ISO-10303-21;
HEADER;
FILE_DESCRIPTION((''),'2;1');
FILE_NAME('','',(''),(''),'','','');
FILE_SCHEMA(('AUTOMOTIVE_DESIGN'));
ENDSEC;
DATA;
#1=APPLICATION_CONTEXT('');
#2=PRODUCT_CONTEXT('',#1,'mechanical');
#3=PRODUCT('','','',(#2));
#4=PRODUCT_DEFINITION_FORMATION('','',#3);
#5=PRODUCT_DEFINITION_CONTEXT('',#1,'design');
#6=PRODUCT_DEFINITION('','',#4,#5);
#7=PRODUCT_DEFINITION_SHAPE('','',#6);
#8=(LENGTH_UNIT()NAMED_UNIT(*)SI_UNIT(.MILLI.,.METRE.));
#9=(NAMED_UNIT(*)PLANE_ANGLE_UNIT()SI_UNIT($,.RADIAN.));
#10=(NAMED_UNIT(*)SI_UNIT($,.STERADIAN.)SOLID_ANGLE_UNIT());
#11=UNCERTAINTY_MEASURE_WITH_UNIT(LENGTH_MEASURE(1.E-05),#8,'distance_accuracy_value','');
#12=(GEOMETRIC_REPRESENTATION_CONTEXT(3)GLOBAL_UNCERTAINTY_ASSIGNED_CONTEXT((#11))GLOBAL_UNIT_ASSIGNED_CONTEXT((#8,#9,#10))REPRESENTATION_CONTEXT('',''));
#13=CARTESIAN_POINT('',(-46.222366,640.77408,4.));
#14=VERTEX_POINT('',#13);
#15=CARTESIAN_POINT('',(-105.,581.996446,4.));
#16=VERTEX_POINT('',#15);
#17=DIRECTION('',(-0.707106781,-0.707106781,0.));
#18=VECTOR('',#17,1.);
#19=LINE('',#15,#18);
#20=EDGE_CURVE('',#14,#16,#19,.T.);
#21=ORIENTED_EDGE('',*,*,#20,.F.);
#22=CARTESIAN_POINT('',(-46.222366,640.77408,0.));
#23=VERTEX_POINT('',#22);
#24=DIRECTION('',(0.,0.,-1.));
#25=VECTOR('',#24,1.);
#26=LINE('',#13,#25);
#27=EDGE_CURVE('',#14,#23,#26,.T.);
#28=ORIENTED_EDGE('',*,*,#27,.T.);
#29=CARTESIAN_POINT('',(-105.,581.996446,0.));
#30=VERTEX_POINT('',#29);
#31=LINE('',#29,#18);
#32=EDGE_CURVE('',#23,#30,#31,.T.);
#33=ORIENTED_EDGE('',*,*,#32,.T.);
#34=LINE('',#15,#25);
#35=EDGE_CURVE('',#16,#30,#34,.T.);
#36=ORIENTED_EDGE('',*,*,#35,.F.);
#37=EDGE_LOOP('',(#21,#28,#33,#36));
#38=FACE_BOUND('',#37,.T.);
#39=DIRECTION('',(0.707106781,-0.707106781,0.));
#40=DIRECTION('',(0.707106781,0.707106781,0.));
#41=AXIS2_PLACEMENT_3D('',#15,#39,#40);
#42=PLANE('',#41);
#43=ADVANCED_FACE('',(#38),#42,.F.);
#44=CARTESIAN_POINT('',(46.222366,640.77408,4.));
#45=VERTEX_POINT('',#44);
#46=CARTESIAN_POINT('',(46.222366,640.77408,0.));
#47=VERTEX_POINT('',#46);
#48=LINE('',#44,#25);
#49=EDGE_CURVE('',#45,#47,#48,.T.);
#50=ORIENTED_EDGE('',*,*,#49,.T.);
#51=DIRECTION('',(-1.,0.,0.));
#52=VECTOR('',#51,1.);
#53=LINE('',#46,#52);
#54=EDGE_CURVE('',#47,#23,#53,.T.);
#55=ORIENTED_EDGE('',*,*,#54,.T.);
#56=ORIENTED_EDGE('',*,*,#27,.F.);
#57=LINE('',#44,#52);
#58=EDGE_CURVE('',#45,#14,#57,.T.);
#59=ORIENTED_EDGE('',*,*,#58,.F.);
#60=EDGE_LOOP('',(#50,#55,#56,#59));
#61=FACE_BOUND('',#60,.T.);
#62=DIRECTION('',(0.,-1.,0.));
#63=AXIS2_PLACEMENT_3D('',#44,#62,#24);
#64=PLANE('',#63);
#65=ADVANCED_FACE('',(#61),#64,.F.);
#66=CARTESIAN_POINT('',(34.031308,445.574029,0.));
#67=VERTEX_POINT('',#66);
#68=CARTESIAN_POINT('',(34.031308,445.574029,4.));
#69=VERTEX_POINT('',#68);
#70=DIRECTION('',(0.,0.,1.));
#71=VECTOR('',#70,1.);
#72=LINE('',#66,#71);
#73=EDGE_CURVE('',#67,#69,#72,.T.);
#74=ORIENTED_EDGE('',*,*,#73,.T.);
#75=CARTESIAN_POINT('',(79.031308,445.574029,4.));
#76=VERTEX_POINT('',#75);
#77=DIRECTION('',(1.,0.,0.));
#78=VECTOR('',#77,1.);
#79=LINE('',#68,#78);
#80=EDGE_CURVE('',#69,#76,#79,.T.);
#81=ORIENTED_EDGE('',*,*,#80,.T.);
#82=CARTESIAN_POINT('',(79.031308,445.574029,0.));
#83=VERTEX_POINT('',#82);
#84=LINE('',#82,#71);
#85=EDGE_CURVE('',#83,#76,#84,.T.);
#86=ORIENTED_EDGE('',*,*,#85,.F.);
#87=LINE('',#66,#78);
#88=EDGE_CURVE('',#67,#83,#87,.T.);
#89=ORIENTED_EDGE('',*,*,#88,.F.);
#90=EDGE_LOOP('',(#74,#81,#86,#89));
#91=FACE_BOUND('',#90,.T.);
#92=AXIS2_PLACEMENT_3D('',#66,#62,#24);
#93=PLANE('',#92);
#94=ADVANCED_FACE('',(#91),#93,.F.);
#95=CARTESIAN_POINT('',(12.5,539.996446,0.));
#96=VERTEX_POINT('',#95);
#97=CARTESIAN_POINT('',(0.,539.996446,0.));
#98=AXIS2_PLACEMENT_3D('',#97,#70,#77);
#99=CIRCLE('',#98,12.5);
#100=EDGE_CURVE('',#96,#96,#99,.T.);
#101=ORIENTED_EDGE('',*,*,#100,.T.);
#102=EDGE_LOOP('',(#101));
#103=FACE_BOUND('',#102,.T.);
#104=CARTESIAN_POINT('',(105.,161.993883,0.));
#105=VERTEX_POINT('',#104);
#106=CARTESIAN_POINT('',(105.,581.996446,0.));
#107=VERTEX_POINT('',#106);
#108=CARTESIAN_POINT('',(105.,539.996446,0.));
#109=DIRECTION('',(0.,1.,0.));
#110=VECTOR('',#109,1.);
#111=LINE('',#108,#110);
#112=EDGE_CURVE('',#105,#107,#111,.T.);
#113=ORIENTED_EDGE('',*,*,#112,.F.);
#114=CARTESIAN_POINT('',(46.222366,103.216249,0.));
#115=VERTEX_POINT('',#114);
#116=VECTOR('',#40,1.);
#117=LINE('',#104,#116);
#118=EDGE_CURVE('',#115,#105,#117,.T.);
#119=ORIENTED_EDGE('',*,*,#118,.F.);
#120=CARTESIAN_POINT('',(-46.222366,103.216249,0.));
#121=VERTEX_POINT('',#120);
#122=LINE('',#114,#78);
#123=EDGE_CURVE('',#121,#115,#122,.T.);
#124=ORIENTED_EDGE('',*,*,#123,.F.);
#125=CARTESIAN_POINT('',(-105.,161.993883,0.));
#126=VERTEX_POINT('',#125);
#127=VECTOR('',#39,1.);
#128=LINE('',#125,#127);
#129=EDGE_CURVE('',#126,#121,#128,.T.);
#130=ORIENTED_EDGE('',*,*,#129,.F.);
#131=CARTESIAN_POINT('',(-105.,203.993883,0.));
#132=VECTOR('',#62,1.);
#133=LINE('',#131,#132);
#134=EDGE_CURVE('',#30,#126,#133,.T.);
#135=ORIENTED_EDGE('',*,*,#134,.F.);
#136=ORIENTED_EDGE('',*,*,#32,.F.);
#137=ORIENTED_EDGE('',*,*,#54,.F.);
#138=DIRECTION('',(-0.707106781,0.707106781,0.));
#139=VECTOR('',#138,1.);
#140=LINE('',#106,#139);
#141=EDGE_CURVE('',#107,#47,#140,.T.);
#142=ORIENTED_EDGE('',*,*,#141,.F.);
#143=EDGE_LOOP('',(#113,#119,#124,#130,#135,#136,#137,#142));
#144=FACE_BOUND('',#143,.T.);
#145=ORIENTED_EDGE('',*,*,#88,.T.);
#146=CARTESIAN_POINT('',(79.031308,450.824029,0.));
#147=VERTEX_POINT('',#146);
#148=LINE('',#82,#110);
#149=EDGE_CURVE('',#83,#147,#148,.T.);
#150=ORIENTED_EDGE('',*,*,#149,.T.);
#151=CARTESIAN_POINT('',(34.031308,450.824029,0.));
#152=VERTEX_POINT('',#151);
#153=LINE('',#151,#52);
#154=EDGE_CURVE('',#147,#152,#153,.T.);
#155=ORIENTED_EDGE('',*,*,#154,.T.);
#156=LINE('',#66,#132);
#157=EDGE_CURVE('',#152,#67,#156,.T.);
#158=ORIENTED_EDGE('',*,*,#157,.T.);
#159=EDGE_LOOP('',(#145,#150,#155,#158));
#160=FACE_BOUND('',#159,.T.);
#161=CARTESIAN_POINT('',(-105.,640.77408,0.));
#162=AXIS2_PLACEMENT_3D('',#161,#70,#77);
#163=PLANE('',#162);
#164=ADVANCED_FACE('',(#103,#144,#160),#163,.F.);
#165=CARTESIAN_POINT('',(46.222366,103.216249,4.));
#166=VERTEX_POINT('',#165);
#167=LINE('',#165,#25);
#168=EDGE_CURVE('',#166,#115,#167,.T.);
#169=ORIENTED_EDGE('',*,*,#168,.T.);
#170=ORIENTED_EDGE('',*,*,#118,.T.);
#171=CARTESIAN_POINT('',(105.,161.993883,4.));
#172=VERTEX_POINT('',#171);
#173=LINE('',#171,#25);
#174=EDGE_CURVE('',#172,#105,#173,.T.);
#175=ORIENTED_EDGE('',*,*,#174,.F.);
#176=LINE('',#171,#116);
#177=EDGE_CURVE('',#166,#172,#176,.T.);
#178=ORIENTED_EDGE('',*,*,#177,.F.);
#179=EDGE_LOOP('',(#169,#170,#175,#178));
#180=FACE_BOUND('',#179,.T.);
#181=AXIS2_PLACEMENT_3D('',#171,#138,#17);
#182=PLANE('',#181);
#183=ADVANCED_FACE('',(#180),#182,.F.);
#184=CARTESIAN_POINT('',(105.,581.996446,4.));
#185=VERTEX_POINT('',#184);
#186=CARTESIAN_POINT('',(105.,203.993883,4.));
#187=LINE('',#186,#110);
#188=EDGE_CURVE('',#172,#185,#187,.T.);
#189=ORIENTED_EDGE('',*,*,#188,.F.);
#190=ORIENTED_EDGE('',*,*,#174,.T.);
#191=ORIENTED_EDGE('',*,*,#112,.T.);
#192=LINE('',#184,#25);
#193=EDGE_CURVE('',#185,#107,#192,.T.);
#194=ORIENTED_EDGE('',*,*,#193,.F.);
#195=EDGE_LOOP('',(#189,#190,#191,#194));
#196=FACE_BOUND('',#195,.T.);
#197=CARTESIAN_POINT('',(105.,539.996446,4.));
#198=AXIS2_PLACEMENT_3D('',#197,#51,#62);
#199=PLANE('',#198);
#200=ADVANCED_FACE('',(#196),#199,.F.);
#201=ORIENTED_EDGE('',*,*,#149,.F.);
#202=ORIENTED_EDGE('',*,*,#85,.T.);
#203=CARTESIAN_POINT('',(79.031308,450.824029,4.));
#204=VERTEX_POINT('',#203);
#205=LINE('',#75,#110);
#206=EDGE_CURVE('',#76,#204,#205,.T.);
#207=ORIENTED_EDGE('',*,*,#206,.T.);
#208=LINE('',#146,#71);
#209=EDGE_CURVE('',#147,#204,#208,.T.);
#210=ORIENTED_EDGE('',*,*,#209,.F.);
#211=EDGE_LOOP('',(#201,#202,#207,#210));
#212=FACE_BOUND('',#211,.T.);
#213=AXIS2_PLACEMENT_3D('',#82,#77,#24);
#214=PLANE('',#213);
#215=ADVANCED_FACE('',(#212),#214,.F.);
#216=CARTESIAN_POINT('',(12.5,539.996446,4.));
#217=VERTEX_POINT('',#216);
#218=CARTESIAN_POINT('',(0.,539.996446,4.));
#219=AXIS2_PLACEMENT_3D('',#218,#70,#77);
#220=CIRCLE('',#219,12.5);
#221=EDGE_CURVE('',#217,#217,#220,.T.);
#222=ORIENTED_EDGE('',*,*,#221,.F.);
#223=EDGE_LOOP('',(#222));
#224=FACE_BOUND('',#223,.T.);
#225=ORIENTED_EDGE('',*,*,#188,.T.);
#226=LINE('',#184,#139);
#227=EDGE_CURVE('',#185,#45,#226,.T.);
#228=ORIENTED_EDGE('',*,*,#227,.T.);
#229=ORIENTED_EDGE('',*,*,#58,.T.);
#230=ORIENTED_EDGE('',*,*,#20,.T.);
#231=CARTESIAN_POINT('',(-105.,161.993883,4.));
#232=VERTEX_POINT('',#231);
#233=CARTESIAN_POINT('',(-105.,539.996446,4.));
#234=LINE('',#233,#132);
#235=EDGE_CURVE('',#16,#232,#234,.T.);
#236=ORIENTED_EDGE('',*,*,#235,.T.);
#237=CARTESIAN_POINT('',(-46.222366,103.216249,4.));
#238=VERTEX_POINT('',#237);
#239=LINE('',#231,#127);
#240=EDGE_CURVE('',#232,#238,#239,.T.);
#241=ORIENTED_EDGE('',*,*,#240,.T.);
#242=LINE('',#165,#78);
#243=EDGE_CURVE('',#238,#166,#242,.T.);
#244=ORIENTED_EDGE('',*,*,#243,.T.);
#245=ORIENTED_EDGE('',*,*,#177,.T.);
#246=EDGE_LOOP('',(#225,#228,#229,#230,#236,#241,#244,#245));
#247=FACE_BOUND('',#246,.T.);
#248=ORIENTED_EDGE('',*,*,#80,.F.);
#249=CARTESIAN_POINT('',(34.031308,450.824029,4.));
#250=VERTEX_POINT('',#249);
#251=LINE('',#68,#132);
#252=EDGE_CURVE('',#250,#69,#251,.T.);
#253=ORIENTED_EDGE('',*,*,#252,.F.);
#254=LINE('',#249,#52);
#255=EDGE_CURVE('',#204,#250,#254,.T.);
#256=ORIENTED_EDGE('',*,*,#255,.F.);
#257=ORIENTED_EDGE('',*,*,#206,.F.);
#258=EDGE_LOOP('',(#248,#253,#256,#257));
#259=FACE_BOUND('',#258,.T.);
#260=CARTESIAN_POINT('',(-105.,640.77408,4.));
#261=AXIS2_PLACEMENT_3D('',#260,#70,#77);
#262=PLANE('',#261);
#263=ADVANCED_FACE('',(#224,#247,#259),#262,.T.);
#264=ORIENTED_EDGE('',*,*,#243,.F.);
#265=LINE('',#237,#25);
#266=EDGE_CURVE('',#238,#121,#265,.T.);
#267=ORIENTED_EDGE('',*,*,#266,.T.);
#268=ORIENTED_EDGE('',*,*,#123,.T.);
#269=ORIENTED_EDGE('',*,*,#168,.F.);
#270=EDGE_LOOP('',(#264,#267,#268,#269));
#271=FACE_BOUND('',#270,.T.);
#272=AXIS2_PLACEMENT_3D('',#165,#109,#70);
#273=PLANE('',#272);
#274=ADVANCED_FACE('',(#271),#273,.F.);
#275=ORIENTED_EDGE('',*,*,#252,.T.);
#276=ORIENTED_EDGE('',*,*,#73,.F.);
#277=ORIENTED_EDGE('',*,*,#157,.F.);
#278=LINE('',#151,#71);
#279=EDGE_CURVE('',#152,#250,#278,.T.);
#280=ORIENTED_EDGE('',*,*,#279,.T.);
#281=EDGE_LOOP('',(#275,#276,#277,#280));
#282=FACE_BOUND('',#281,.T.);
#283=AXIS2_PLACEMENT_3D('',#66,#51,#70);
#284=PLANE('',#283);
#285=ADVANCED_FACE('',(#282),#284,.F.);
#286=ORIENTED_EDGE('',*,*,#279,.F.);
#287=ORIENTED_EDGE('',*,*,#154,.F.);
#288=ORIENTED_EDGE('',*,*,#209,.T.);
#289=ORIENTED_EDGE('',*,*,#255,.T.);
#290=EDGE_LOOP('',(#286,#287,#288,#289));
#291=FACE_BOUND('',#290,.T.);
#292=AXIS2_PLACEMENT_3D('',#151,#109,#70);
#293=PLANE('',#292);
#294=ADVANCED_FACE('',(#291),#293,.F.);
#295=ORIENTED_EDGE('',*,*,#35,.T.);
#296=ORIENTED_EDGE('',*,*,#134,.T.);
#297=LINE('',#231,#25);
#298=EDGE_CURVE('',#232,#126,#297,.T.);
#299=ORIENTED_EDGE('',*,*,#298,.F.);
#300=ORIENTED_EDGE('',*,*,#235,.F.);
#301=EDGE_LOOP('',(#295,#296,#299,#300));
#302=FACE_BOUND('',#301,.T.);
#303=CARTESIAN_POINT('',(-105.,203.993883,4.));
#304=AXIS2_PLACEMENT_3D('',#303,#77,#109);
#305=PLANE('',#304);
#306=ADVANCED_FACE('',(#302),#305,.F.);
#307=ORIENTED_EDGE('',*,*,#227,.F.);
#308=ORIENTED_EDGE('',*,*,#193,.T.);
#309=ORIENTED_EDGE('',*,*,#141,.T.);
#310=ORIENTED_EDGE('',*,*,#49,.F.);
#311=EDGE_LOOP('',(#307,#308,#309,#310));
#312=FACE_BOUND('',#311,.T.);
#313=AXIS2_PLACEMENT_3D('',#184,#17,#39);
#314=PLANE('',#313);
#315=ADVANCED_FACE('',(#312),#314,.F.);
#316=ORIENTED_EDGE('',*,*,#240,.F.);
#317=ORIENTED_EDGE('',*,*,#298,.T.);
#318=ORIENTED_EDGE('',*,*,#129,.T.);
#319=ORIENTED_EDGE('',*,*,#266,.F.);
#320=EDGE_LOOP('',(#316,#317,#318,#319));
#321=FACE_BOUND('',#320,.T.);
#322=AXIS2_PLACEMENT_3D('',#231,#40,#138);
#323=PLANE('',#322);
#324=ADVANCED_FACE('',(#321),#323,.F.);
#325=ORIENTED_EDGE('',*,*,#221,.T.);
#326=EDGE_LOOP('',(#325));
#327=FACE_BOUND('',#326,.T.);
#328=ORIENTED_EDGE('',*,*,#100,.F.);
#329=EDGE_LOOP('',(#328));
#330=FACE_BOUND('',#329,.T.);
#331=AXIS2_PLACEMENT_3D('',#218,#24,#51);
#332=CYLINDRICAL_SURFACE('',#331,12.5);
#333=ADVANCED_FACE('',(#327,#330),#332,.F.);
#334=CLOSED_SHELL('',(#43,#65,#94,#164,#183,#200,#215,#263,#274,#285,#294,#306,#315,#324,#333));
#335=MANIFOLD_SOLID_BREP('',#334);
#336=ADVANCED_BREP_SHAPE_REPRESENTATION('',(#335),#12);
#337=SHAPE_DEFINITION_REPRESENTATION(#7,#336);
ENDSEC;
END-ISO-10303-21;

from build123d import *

# Parameters (mm, degrees)
SKETCH_1_R          = 12.5
EXTRUDE_1_DEPTH     = 4
SKETCH_2_W          = 45
SKETCH_2_H          = 5.25
CUT_EXTRUDE_1_DEPTH = 650.332288577


with BuildPart() as part:
    # Эскиз1 → Вытянуть1 (new body)
    with BuildSketch(Plane.XY):
        Polygon((-105, 539.996445798), (-105, 203.99388251), (-105, 161.99388251), (-46.222366275, 103.216248785), (46.222366275, 103.216248785), (105, 161.99388251), (105, 203.99388251), (105, 539.996445798), (105, 581.996445798), (46.222366275, 640.774079523), (-46.222366275, 640.774079523), (-105, 581.996445798), align=None)
        with Locations((0, 539.996445798)):
            Circle(SKETCH_1_R, mode=Mode.SUBTRACT)
    extrude(amount=EXTRUDE_1_DEPTH)

    # Эскиз2 → Вырез-Вытянуть1 (cut, through all)
    with BuildSketch(Plane.XY.offset(4)):
        with Locations((56.53130754, 448.199029203)):
            Rectangle(SKETCH_2_W, SKETCH_2_H)
    extrude(amount=-CUT_EXTRUDE_1_DEPTH, mode=Mode.SUBTRACT)


solid = part.part
